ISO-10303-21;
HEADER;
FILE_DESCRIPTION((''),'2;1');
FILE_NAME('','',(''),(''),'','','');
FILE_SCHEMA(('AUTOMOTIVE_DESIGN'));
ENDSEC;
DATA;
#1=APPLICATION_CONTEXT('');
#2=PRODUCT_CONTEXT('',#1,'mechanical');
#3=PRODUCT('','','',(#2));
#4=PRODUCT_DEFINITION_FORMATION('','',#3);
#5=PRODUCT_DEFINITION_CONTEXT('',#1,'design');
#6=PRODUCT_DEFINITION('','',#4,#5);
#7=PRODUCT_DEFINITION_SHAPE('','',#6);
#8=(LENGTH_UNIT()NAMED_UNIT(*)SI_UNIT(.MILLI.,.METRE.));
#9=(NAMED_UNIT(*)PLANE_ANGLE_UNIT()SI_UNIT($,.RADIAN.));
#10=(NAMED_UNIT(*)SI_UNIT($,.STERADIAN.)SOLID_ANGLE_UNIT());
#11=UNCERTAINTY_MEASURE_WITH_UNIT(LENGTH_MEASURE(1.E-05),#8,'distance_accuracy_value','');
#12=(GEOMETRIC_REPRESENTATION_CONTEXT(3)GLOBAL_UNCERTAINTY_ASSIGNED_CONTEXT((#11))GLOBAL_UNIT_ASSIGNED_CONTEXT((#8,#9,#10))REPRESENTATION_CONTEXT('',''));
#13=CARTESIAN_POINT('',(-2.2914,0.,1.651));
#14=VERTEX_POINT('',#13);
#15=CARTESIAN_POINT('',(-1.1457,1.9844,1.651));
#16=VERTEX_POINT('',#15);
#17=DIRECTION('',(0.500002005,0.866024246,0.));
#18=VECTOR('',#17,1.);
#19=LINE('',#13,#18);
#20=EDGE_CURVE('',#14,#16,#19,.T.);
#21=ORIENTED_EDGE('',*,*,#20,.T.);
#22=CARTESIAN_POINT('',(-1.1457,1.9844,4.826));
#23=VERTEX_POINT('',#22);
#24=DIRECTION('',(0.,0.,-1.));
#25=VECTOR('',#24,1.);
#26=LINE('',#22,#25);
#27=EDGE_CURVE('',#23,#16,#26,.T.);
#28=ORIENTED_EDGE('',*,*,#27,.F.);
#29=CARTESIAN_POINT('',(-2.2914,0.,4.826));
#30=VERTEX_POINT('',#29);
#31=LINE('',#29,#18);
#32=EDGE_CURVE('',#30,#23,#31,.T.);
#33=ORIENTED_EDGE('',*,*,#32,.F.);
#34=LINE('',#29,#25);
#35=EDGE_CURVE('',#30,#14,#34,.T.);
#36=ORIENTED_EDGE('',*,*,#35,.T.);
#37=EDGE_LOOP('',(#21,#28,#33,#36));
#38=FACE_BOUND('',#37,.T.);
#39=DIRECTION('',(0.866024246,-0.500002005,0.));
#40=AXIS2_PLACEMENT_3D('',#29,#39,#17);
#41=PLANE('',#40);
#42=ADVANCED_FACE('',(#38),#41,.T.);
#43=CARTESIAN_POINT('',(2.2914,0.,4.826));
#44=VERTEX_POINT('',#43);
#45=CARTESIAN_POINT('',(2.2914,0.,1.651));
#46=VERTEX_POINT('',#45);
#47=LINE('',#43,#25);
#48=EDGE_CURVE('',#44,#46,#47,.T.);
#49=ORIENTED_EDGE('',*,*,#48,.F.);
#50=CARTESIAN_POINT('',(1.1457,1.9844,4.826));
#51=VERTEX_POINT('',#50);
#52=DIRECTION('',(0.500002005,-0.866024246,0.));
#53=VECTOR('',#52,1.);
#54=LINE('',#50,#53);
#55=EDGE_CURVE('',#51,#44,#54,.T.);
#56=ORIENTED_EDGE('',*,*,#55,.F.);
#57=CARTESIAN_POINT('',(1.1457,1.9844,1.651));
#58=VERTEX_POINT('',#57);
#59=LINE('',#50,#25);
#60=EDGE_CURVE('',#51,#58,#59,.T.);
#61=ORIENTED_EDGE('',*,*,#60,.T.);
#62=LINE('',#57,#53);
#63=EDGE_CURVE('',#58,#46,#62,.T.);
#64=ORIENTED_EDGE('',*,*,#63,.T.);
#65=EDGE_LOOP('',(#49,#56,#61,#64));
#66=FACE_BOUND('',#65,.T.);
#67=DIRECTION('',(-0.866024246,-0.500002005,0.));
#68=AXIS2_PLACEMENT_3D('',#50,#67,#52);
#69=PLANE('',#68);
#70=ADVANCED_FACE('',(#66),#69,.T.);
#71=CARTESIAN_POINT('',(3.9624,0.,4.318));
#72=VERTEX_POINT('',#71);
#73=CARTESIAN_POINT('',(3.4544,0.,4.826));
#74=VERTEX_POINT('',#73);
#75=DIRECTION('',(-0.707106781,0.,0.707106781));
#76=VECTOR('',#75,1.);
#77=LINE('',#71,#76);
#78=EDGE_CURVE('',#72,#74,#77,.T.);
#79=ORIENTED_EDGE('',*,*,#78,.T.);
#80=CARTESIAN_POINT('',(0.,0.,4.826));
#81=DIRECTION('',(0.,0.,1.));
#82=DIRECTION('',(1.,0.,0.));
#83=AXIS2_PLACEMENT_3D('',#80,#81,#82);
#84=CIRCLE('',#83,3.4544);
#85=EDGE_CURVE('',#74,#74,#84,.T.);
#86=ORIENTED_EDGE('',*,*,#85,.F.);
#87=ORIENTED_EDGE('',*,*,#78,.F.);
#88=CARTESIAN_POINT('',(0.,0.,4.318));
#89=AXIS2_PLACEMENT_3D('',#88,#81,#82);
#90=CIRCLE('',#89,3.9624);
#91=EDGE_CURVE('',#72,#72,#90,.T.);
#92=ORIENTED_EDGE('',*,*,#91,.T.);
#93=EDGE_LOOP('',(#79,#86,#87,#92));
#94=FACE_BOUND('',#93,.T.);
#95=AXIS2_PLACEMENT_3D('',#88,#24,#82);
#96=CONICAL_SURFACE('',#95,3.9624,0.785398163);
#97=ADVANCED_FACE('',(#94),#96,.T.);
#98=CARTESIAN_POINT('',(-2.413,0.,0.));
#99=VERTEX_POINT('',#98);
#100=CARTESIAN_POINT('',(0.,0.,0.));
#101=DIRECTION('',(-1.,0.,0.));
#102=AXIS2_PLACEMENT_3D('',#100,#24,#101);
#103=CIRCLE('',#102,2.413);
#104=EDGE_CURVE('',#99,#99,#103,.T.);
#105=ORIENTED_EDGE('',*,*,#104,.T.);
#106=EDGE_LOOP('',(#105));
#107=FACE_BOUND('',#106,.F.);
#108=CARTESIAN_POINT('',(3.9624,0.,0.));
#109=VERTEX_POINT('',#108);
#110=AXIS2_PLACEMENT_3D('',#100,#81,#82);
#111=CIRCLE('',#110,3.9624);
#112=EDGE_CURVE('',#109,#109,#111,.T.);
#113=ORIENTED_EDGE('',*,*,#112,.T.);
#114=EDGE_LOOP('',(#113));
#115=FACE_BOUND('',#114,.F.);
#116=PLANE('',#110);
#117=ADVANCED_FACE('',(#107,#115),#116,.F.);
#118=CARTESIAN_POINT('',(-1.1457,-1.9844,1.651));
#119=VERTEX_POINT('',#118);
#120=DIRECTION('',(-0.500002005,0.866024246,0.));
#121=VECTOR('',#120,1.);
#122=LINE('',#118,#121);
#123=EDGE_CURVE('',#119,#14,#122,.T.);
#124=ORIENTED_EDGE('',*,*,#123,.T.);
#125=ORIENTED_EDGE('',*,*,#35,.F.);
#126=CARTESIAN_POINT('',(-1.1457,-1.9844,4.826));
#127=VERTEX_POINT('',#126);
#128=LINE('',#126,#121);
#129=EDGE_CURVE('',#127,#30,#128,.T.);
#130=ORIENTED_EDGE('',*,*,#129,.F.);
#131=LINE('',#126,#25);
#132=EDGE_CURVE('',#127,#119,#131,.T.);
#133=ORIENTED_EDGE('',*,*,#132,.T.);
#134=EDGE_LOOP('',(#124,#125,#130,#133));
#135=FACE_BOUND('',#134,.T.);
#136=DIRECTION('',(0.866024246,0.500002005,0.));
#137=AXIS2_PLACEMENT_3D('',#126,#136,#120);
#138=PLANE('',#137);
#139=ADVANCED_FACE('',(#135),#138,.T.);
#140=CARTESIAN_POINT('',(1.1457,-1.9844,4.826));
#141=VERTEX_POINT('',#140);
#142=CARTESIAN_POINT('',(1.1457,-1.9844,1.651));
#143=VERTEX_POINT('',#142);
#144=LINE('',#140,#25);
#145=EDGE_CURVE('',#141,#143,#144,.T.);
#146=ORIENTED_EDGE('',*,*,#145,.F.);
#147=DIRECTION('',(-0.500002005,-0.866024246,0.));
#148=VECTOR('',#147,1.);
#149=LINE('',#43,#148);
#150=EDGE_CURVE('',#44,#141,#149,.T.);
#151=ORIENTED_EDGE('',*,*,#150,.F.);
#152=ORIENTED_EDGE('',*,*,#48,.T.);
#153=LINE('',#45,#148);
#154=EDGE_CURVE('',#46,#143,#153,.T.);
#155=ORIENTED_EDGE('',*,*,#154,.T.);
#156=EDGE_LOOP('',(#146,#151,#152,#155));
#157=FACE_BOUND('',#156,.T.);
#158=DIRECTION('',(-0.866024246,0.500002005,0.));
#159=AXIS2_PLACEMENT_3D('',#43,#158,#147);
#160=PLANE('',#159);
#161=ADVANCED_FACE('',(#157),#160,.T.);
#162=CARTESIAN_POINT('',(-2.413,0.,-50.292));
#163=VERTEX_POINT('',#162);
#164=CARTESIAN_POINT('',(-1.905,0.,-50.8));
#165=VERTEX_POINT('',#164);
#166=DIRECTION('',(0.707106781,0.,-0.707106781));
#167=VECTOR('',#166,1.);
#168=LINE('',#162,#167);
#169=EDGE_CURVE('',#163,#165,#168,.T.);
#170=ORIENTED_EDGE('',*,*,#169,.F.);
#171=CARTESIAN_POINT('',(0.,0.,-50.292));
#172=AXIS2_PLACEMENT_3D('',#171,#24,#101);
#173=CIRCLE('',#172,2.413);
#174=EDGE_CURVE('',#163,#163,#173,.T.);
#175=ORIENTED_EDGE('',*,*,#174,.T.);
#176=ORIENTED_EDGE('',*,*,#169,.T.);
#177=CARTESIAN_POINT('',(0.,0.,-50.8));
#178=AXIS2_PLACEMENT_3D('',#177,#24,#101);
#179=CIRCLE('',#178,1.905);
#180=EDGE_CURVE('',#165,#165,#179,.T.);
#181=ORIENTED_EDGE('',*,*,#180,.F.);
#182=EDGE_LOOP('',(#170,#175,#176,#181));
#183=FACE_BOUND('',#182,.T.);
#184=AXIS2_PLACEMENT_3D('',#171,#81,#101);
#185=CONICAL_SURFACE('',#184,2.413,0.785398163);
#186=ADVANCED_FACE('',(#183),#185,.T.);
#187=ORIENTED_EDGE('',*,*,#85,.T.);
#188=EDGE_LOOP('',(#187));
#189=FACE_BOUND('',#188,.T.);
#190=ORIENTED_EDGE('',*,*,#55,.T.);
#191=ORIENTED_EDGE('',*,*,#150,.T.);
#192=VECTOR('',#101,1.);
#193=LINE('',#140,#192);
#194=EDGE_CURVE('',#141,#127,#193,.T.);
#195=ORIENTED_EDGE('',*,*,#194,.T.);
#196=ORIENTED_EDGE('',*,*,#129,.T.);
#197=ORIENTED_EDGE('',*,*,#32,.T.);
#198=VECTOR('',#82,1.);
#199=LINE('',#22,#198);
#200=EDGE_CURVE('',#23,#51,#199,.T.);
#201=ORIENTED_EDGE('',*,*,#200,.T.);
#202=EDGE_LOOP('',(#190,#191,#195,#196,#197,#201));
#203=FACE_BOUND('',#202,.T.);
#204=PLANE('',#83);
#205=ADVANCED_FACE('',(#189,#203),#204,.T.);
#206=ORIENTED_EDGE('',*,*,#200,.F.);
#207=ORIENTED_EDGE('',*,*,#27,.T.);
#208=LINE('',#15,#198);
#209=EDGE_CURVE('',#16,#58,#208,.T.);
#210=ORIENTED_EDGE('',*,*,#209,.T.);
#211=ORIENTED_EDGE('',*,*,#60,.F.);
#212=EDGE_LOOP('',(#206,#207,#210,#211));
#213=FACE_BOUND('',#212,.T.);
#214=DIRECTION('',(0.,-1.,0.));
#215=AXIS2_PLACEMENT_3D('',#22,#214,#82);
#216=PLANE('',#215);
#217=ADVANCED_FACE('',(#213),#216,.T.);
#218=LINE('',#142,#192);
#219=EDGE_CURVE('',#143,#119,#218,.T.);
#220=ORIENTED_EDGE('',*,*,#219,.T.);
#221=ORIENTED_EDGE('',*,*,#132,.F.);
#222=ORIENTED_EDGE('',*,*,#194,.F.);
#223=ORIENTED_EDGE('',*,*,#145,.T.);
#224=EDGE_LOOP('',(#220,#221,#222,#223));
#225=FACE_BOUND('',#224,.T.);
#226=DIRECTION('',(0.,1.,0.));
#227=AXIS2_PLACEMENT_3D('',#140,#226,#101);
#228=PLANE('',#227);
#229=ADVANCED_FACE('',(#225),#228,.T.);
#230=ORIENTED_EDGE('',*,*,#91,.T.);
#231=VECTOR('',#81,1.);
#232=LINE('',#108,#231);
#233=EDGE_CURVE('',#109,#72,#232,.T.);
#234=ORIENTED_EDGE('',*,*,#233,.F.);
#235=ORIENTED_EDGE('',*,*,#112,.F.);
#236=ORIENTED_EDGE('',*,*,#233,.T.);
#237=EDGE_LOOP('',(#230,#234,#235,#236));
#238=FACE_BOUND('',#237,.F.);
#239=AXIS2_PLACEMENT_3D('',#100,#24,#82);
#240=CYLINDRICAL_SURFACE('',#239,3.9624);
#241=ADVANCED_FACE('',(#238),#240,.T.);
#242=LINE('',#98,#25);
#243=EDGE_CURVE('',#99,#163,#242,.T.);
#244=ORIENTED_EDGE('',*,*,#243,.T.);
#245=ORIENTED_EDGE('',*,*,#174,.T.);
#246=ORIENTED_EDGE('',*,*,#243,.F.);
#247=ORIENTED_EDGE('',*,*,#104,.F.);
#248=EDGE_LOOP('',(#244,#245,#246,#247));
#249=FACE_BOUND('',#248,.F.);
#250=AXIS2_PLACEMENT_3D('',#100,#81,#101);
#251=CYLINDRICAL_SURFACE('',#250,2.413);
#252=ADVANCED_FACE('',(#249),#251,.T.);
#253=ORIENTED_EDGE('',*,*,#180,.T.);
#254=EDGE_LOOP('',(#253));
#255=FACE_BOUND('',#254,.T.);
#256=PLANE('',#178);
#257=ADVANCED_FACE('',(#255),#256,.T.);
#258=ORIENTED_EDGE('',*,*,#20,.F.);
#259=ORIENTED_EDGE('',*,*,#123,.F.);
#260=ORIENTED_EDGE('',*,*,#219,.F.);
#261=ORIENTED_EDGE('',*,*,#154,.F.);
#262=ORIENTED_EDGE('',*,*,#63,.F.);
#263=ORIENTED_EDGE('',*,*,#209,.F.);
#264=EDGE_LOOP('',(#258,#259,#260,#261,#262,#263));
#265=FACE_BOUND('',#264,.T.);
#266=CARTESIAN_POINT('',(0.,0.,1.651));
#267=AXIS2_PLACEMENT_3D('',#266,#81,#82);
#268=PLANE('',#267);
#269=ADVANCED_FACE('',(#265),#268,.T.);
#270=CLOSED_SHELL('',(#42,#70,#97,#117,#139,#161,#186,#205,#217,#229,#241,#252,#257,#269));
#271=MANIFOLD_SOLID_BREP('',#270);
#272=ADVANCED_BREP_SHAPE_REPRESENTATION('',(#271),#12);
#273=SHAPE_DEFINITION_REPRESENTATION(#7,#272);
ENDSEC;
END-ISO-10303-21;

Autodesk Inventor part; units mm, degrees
ref_plane "YZ Plane" through (0, 0, 0) normal (1, 0, 0) x (0, 1, 0)
ref_plane "XZ Plane" through (0, 0, 0) normal (0, 1, 0) x (-1, 0, 0)
ref_plane "XY Plane" through (0, 0, 0) normal (0, 0, 1) x (1, 0, 0)
sketch "Sketch1" plane through (0, 0, 0) normal (0, 0, 1) x (1, 0, 0)
  circle A0 centre (0, 0) radius 3.9624
  dimension "d0" = 7.9248
extrude "Extrusion1" add sketch "Sketch1" along normal blind 4.826
sketch "Sketch2" plane through (0, 0, 0) normal (0, 0, -1) x (-1, 0, 0)
  circle A0 centre (0, 0) radius 3.9624 projected
  circle A1 centre (0, 0) radius 2.413
  dimension "d3" = 4.826
extrude "Extrusion2" add sketch "Sketch2" along normal blind 50.8 contours A1
sketch "Sketch3" plane through (0, 0, 4.826) normal (0, 0, 1) x (1, 0, 0)
  circle A0 centre (0, 0) radius 3.9624 projected
  line L0 (-1.1457, 1.9844) -> (1.1457, 1.9844)
  line L1 (1.1457, 1.9844) -> (2.2914, 0)
  line L2 (2.2914, 0) -> (1.1457, -1.9844)
  line L3 (1.1457, -1.9844) -> (-1.1457, -1.9844)
  line L4 (-1.1457, -1.9844) -> (-2.2914, 0)
  line L5 (-2.2914, 0) -> (-1.1457, 1.9844)
  dimension "d6" = 3.9688
extrude "Extrusion3" cut sketch "Sketch3" against normal blind 3.175 contours L0 L1 L2 L3 L4 L5
thread "Thread1" size "10-32 UNF" class "2A" standard "ANSI Unified Screw Threads" length 25.4
chamfer "Chamfer1" distance 0.508 angle 45 1 edges at (2.413, 0, -50.8)
chamfer "Chamfer2" distance 0.508 angle 45 1 edges at (-3.9624, 0, 4.826)
properties part number "10-32 x1000" material "Steel"
